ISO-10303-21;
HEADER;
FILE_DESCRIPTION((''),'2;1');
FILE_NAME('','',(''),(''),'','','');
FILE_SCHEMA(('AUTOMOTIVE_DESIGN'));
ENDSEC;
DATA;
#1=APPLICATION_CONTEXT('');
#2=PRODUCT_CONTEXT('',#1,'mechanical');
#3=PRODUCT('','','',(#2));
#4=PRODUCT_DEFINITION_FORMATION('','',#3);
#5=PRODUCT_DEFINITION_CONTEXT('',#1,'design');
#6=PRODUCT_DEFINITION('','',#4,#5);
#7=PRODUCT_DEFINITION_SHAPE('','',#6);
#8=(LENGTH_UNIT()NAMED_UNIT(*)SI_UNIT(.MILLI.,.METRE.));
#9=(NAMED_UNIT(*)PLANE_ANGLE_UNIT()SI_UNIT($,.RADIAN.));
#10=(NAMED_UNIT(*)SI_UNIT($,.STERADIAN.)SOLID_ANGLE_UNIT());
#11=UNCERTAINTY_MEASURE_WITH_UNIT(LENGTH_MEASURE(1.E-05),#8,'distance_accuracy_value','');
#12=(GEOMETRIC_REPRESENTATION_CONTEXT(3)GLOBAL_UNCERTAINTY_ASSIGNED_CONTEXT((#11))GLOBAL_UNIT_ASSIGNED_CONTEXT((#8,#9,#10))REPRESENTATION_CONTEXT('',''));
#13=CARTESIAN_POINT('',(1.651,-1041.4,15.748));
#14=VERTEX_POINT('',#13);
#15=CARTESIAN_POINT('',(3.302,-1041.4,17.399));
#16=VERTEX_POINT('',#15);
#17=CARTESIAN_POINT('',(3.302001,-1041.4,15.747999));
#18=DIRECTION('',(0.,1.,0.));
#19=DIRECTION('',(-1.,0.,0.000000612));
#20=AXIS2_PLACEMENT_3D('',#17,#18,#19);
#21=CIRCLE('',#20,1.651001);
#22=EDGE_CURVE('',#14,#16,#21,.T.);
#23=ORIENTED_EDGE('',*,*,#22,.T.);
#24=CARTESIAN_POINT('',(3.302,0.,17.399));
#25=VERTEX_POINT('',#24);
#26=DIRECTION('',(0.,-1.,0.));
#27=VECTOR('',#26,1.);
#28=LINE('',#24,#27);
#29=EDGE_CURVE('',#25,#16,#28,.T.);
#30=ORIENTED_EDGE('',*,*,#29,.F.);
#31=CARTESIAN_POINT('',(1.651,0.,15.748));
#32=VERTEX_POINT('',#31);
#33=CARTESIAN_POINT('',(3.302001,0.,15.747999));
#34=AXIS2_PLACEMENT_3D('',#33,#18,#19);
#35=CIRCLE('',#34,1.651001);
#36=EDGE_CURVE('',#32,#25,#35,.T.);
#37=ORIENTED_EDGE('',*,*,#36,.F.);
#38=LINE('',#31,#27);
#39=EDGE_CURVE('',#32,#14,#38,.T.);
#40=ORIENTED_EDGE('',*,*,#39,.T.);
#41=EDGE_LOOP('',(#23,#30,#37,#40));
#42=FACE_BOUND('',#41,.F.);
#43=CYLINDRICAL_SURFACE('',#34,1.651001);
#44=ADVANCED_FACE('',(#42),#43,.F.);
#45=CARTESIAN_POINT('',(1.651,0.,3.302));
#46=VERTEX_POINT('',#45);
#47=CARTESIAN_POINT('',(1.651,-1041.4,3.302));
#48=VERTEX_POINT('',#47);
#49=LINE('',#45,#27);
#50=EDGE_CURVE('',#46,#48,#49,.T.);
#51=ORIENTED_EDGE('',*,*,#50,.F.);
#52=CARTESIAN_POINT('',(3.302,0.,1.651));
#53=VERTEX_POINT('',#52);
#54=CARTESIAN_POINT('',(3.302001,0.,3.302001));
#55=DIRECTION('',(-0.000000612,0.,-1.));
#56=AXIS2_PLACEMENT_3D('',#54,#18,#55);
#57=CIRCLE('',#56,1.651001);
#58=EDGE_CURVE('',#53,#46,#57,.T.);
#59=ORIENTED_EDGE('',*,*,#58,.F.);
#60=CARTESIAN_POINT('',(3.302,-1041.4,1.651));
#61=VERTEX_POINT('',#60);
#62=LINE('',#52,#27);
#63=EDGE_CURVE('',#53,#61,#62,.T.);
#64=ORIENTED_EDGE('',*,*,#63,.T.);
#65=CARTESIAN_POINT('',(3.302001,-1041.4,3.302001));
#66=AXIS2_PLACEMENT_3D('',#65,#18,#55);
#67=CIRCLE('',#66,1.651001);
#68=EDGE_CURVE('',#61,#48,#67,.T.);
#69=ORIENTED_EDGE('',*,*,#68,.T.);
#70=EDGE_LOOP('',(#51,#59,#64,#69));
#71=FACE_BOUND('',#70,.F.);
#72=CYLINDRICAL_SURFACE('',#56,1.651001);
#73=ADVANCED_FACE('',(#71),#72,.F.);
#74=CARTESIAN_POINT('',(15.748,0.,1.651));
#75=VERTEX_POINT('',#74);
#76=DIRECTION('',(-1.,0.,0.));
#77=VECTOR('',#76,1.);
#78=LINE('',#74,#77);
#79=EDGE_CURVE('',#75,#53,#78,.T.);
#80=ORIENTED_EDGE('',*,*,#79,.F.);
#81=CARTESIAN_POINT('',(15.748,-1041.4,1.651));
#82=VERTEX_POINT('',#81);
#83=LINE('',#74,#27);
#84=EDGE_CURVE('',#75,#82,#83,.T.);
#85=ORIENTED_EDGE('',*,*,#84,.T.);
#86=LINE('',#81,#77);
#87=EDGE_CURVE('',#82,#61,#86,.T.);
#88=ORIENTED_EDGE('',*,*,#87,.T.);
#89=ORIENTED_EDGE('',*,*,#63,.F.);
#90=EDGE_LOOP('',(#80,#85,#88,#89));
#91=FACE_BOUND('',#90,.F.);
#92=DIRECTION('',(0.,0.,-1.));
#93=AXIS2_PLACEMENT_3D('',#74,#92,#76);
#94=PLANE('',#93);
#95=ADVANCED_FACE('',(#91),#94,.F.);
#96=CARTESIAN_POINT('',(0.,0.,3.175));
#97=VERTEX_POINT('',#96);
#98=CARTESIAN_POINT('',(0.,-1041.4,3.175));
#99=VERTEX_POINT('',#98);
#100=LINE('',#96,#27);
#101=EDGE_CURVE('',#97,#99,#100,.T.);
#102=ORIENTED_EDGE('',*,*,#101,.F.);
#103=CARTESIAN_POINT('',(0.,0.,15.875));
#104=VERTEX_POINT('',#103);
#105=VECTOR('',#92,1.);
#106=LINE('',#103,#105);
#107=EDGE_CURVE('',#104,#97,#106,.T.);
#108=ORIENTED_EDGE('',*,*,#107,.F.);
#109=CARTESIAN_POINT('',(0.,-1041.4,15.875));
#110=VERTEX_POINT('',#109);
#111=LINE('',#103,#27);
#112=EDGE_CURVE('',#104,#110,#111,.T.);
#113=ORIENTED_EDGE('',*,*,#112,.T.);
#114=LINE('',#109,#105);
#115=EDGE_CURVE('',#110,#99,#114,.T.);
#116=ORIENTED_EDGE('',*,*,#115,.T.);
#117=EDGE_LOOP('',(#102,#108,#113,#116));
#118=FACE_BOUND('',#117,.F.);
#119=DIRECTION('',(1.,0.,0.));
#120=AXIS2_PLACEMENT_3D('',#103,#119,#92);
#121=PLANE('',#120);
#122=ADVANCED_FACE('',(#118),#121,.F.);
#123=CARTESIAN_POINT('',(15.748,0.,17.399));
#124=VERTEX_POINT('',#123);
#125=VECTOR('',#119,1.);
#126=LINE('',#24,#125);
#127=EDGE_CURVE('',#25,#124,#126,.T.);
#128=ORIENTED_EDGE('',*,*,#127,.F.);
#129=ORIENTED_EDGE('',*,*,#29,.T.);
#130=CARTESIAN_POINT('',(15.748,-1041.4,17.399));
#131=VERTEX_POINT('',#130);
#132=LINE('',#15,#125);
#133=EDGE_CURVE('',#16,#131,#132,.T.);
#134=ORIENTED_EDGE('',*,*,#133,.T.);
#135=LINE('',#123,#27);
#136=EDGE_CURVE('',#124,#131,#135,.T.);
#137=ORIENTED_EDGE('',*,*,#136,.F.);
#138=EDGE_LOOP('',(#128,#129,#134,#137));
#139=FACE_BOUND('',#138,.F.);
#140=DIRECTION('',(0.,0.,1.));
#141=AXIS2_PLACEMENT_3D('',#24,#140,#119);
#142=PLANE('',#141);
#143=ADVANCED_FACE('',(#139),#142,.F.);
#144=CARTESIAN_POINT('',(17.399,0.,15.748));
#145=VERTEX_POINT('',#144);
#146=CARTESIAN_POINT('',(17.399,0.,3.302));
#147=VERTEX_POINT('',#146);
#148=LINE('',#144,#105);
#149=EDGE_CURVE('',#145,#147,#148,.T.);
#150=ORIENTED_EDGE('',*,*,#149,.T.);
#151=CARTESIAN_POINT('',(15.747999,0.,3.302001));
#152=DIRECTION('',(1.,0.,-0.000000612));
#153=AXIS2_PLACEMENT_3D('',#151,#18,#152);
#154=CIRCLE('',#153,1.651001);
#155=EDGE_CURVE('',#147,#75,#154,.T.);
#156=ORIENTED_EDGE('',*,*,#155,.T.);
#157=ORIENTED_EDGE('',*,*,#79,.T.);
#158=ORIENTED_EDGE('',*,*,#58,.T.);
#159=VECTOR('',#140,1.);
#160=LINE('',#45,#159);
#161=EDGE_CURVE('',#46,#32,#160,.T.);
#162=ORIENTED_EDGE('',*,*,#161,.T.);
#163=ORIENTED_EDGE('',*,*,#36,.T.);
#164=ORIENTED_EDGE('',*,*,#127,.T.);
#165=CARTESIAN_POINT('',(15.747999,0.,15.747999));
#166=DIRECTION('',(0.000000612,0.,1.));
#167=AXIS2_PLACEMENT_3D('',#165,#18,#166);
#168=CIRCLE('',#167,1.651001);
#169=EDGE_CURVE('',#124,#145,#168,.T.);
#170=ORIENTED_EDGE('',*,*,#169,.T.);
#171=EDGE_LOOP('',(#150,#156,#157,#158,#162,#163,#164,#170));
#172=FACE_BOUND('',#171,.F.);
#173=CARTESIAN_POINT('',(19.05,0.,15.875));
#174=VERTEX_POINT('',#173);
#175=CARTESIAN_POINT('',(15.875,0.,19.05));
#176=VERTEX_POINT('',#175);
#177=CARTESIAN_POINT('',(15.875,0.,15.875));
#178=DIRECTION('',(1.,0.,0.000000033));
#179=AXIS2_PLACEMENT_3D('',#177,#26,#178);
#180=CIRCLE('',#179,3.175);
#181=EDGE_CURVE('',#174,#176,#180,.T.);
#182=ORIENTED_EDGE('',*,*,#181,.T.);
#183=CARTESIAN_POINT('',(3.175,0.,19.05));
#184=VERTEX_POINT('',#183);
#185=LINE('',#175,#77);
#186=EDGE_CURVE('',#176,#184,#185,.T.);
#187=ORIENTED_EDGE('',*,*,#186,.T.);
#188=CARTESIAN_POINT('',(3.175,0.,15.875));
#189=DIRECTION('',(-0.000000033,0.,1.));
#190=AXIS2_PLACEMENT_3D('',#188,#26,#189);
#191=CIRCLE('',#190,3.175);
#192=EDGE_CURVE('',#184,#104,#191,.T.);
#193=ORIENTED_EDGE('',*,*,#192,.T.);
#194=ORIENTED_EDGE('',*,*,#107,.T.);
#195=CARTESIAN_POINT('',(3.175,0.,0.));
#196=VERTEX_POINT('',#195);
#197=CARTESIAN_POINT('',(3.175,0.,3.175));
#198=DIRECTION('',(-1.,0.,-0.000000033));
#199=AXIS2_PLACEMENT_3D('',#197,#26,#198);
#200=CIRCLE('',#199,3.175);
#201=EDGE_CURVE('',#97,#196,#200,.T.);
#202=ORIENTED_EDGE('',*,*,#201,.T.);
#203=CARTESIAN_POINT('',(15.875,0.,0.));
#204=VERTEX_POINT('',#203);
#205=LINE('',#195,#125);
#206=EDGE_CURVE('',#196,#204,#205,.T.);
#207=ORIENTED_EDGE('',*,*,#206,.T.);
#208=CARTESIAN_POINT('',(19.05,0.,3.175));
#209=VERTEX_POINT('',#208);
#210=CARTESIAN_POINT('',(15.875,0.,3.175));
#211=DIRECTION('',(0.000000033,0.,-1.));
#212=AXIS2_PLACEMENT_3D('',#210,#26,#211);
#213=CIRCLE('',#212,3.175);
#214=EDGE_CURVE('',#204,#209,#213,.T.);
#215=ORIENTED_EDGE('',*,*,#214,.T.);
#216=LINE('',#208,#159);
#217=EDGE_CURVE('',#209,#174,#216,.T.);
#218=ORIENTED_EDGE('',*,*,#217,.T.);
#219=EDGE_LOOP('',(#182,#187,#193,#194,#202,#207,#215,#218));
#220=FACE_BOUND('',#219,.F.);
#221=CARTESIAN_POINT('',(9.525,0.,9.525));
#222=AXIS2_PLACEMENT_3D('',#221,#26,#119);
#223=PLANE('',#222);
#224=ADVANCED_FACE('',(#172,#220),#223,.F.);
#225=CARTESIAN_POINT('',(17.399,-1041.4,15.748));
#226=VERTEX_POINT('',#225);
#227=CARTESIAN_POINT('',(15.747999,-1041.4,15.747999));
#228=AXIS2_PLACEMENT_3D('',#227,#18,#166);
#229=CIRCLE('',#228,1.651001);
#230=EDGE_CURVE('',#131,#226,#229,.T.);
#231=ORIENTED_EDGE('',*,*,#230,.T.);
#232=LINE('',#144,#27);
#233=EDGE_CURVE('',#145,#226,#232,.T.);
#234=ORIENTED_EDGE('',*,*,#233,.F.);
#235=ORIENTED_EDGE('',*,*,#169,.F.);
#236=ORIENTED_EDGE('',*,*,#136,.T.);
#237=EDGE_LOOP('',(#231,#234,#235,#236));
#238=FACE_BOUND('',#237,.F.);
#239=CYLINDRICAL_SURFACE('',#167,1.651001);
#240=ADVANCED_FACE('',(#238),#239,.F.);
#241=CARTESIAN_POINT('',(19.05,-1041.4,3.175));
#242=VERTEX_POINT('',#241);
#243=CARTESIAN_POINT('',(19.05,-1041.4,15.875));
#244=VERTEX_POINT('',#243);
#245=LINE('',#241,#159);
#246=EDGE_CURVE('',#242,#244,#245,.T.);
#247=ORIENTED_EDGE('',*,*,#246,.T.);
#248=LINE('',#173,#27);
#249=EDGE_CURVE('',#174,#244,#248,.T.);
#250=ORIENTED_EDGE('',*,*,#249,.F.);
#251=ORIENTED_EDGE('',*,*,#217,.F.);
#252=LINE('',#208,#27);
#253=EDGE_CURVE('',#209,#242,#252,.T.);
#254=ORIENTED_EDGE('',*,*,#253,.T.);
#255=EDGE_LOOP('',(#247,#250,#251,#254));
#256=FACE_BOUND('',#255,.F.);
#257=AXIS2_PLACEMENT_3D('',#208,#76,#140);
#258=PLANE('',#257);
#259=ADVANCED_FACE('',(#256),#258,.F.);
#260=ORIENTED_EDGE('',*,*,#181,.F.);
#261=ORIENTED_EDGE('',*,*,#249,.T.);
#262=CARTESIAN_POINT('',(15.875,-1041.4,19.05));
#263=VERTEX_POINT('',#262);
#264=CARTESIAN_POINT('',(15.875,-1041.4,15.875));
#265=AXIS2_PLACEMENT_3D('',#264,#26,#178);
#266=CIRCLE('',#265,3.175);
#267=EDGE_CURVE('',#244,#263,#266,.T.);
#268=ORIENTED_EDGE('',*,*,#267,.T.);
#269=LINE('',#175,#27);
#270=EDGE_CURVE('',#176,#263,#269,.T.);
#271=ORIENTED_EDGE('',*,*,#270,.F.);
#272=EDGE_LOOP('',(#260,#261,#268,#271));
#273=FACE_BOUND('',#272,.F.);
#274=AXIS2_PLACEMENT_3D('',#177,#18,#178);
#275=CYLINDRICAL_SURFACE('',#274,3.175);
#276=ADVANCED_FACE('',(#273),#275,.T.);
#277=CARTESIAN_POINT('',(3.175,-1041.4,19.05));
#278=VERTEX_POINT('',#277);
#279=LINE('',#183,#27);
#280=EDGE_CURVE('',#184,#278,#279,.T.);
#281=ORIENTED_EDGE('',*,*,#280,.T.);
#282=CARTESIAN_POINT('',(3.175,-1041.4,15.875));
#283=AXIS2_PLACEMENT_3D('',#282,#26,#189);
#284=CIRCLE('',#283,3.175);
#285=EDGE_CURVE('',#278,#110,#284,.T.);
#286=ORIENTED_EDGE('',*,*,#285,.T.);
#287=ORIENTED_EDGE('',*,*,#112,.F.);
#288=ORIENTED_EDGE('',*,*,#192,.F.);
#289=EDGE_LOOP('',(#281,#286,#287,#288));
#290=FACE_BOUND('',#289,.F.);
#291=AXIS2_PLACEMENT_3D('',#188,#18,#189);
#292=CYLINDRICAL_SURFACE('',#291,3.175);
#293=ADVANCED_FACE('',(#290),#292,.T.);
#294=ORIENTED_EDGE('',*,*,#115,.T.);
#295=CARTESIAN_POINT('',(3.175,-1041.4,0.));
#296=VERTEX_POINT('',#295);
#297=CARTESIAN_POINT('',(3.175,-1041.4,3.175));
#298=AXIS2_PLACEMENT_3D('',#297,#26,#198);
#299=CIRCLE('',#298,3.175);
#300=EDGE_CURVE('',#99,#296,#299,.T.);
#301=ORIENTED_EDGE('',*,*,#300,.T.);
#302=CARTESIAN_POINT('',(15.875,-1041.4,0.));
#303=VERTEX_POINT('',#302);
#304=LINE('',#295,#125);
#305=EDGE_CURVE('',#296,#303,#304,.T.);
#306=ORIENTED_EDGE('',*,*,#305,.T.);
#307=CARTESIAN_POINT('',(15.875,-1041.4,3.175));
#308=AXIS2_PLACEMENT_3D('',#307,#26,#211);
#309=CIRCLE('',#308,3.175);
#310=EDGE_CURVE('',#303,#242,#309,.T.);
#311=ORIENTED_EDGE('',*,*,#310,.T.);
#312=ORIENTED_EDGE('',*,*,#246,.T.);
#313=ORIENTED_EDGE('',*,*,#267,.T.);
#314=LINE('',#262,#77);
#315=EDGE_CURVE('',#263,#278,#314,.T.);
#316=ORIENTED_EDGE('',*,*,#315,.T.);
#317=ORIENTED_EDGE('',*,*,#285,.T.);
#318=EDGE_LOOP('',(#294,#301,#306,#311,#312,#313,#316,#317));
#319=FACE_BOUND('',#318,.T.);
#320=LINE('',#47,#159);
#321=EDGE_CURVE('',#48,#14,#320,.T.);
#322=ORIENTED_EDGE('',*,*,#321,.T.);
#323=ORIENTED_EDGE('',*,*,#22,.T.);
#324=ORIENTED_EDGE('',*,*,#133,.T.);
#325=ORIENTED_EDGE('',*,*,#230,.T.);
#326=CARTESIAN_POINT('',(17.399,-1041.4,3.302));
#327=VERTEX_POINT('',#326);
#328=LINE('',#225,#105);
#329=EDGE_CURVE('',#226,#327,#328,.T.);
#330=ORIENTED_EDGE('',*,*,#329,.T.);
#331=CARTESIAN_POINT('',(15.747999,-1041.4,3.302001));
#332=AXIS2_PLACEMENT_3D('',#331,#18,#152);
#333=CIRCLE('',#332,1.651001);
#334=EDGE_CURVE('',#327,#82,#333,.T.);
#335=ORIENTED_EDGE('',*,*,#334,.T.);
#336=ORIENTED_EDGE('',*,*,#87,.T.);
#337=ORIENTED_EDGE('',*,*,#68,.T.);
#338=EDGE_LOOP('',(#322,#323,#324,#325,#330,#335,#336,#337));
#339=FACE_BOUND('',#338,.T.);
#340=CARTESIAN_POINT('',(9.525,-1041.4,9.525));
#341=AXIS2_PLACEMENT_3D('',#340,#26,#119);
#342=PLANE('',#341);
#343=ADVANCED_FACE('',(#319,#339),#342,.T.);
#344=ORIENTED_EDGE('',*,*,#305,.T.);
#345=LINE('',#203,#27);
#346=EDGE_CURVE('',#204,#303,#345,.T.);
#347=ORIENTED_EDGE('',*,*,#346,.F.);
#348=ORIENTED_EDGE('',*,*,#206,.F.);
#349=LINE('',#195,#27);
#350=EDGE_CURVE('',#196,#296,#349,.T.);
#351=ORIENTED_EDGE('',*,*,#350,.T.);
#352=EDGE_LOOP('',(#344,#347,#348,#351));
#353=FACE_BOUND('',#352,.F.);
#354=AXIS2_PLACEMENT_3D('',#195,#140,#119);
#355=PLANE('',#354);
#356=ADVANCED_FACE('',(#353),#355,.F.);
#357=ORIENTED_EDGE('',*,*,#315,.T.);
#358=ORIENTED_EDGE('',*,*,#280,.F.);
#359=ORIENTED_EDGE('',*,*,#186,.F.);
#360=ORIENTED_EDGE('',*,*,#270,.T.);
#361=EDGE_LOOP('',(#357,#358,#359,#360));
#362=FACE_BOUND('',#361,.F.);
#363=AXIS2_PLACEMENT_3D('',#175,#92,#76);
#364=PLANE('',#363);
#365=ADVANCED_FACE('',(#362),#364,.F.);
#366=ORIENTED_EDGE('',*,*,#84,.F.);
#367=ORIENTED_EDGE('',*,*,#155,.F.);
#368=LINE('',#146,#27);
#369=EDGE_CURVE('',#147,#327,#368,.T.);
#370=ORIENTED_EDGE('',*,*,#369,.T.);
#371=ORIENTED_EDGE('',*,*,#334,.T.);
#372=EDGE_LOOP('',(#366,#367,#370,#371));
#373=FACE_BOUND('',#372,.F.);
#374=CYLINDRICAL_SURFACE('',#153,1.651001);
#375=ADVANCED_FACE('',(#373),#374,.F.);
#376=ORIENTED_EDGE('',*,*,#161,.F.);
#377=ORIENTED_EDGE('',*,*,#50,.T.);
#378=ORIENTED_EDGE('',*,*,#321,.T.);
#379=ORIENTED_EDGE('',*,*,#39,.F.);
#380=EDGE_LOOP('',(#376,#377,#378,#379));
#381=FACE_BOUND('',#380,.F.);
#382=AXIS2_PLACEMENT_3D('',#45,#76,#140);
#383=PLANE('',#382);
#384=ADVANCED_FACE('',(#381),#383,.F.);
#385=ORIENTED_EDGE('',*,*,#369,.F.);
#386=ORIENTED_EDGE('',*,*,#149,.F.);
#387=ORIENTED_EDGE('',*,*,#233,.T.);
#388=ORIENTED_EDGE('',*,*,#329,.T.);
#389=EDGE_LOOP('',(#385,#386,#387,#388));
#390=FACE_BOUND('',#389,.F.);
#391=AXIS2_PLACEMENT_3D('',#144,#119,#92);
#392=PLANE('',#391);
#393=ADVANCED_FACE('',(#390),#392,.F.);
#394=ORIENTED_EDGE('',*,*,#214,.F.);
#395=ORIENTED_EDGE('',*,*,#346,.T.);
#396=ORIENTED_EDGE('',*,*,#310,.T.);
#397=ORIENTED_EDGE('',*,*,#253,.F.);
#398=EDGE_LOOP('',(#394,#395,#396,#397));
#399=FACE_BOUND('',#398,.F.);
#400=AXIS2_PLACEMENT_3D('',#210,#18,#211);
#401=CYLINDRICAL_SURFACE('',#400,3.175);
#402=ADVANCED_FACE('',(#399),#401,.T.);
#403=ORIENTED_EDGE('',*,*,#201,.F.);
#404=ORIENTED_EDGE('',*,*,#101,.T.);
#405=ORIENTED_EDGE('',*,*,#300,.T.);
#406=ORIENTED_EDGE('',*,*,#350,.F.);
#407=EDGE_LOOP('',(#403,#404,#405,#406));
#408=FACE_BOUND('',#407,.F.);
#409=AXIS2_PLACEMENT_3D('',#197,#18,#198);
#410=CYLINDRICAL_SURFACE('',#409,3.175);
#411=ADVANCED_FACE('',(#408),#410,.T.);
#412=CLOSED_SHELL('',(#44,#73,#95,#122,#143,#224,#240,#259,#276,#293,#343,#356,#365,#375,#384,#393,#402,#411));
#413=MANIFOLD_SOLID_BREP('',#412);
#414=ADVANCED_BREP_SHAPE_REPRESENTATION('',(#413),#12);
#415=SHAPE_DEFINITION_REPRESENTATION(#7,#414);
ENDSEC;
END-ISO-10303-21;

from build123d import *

# Parameters (mm, degrees)
F1_DEPTH = 1041.4


with BuildPart() as f1:
    # F0 (on Front) → F1 (new body)
    with BuildSketch(Plane.XZ):
        with BuildLine():
            ThreePointArc((0, 3.175), (0.929936, 0.929936), (3.175, 0))
            Line((3.175, 0), (15.875, 0))
            ThreePointArc((15.875, 0), (18.120064, 0.929936), (19.05, 3.175))
            Line((19.05, 3.175), (19.05, 15.875))
            ThreePointArc((19.05, 15.875), (18.120064, 18.120064), (15.875, 19.05))
            Line((15.875, 19.05), (3.175, 19.05))
            ThreePointArc((3.175, 19.05), (0.929936, 18.120064), (0, 15.875))
            Line((0, 15.875), (0, 3.175))
        make_face()
        with BuildLine():
            Line((17.399, 15.748), (17.399, 3.302))
            ThreePointArc((17.399, 3.302), (16.915433, 2.134567), (15.748, 1.651))
            Line((15.748, 1.651), (3.302, 1.651))
            ThreePointArc((3.302, 1.651), (2.134567, 2.134567), (1.651, 3.302))
            Line((1.651, 3.302), (1.651, 15.748))
            ThreePointArc((1.651, 15.748), (2.134567, 16.915433), (3.302, 17.399))
            Line((3.302, 17.399), (15.748, 17.399))
            ThreePointArc((15.748, 17.399), (16.915433, 16.915433), (17.399, 15.748))
        make_face(mode=Mode.SUBTRACT)
    extrude(amount=F1_DEPTH)


solid = f1.part
